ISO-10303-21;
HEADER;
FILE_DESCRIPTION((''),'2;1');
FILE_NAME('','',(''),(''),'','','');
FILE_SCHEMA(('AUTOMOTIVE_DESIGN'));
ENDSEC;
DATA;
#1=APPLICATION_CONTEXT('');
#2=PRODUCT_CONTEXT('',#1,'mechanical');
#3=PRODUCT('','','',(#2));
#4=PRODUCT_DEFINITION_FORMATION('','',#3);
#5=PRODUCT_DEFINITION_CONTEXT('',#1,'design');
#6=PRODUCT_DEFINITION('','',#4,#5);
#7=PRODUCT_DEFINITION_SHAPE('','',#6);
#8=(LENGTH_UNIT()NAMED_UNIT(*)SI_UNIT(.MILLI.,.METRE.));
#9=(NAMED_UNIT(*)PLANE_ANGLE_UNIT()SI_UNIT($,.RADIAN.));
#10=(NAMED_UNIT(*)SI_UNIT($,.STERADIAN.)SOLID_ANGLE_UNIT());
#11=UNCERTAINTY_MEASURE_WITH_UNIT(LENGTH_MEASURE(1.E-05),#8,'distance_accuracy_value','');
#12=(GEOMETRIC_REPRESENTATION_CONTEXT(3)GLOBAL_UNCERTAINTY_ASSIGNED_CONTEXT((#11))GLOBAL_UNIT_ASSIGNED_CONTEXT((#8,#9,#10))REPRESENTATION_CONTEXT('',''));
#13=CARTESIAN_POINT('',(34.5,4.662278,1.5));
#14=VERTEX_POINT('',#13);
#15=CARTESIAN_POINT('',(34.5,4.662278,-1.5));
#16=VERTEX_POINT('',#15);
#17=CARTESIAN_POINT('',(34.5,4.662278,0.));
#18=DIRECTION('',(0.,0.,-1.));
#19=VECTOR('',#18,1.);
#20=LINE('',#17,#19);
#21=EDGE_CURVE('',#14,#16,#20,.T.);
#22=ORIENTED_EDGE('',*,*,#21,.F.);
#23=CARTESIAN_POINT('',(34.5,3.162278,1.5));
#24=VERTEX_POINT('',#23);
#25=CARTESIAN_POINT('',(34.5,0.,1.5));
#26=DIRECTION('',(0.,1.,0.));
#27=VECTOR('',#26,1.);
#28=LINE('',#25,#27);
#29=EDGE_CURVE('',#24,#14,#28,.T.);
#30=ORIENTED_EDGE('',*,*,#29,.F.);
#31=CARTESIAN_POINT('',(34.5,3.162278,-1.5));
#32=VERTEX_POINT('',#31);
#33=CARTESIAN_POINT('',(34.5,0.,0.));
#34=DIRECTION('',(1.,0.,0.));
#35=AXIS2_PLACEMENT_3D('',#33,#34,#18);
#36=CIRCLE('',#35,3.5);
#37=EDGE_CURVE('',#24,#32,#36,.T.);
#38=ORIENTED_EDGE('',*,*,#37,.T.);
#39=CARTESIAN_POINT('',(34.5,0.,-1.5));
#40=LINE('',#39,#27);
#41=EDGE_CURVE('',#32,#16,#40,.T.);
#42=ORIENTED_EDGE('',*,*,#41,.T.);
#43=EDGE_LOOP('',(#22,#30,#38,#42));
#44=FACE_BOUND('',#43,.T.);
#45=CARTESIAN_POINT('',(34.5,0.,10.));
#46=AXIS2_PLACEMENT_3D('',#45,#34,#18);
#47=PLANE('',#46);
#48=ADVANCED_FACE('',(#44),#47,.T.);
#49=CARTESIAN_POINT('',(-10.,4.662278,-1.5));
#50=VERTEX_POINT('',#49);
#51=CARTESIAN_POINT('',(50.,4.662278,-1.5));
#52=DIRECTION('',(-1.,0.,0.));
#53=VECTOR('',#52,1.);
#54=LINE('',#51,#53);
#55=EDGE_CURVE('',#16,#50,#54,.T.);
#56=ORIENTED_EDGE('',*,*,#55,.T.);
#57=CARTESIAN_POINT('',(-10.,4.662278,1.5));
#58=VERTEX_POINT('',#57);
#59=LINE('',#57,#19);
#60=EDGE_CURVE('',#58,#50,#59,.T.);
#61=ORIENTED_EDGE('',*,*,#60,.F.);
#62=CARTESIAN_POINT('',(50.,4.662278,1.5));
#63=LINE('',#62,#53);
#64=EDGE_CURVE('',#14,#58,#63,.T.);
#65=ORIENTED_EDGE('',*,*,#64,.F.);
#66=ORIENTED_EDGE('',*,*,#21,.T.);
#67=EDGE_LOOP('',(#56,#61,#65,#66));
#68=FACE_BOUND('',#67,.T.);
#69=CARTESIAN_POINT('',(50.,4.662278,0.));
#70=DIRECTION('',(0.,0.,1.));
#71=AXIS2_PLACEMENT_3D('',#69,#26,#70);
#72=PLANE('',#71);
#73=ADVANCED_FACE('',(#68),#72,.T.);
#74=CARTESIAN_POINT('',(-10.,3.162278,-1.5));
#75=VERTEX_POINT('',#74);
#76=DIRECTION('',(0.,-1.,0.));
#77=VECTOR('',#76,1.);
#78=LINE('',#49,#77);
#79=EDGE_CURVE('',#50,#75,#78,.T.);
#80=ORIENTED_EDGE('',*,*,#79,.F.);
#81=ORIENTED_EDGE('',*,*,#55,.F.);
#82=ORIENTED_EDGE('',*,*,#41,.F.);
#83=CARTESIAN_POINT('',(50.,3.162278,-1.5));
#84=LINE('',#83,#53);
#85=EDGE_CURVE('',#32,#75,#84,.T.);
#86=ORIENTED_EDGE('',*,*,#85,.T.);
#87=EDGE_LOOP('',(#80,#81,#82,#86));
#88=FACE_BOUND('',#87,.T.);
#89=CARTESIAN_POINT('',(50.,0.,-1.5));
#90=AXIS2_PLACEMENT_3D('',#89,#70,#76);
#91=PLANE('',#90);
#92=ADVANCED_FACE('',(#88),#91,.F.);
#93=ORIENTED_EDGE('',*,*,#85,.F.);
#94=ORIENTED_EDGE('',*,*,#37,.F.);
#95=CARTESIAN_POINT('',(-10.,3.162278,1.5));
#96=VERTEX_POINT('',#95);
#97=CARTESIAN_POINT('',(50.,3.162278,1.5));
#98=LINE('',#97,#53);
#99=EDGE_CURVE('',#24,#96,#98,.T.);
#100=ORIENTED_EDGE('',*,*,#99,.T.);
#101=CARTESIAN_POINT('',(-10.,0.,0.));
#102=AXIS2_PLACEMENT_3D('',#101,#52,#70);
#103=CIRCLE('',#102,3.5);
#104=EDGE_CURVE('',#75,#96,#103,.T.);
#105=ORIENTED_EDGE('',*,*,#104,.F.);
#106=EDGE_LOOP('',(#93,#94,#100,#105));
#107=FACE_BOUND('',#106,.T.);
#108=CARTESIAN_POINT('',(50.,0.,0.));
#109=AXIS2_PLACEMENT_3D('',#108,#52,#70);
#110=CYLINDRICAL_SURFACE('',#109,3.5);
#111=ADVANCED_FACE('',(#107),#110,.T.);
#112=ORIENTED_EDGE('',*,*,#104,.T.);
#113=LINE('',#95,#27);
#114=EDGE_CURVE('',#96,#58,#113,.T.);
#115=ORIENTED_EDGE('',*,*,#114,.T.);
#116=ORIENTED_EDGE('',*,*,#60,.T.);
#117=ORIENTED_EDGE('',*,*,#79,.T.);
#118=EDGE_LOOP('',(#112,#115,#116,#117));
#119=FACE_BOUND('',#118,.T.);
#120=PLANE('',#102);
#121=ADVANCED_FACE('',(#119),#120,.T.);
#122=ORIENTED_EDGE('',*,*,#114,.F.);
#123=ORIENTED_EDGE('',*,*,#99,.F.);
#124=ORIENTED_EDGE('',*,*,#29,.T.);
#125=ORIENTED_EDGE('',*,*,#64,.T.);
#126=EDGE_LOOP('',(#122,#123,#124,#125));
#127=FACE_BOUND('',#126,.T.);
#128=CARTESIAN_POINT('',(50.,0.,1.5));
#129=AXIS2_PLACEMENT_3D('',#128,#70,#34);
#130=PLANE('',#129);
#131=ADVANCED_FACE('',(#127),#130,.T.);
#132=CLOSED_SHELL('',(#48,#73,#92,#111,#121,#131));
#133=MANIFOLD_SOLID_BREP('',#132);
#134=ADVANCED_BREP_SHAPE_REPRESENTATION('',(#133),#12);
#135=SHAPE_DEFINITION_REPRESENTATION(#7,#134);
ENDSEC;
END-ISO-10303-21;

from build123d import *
from build123d.topology import SkipClean

# Parameters (mm, degrees)
BOSS_EXTRU_1_DEPTH           = 50
ENL_V_START                  = -6
ENL_V_MAT_EXTRU_1_DEPTH      = 6
ESQUISSE5_R                  = 3.5
BOSS_EXTRU_2_DEPTH           = 10
ENL_V_MAT_EXTRU_2_DEPTH      = 10
ENL_V_MAT_EXTRU_2_DEPTH_BACK = 10
ESQUISSE6_W                  = 18.121424082
ESQUISSE6_H                  = 16.818170981
BOSS_EXTRU_3_DEPTH           = 16


with BuildPart() as part:
    # Esquisse1 → Boss.-Extru.1 (new body)
    with BuildSketch(Plane(origin=(0, 0, 0), x_dir=(0, 0, -1), z_dir=(1, 0, 0))):
        with BuildLine():
            ThreePointArc((1.5, 3.16227766), (0, 3.5), (-1.5, 3.16227766))
            Line((-1.5, 3.16227766), (1.5, 3.16227766))
        make_face()
        with BuildLine():
            Line((1.5, 3.16227766), (-1.5, 3.16227766))
            ThreePointArc((-1.5, 3.16227766), (-1.870828693, -2.958039892), (3.5, 0))
            ThreePointArc((3.5, 0), (2.958039892, 1.870828693), (1.5, 3.16227766))
        make_face()
        with BuildLine():
            Line((-1.5, 4.66227766), (-1.5, 3.16227766))
            ThreePointArc((-1.5, 3.16227766), (0, 3.5), (1.5, 3.16227766))
            Line((1.5, 3.16227766), (1.5, 4.66227766))
            Line((1.5, 4.66227766), (-1.5, 4.66227766))
        make_face()
    extrude(amount=BOSS_EXTRU_1_DEPTH)

    # Esquisse4 → Enlèv. mat.-Extru.1 (cut)
    with BuildSketch(Plane(origin=(50, 0, 0), x_dir=(0, 0, -1), z_dir=(1, 0, 0)).offset(ENL_V_START)):
        with BuildLine():
            Line((-1.5, 3.16227766), (-1.5, 4.66227766))
            Line((-1.5, 4.66227766), (1.5, 4.66227766))
            Line((1.5, 4.66227766), (1.5, 3.16227766))
            ThreePointArc((1.5, 3.16227766), (0, 3.5), (-1.5, 3.16227766))
        make_face()
    enl_v_mat_extru_1 = extrude(amount=ENL_V_MAT_EXTRU_1_DEPTH, mode=Mode.SUBTRACT)

    # Symétrie1: Enlèv. mat.-Extru.1 across plane
    with SkipClean():  # the faces are left unmerged after this step: merging them gives an invalid solid
        add(enl_v_mat_extru_1.mirror(Plane(origin=(25, 0, 0), x_dir=(0, 0, 1), z_dir=(1, 0, 0))), mode=Mode.SUBTRACT)

    # Esquisse5 → Boss.-Extru.2 (add)
    with SkipClean():  # the faces are left unmerged after this step: merging them gives an invalid solid
        with BuildSketch(Plane.ZY):
            Circle(ESQUISSE5_R)
        extrude(amount=BOSS_EXTRU_2_DEPTH)

    # Esquisse6 → Enlèv. mat.-Extru.2 (cut, two sides: drawn at the far end of the back side and taken through both)
    with SkipClean():  # the faces are left unmerged after this step: merging them gives an invalid solid
        with BuildSketch(Plane.XY.offset(-ENL_V_MAT_EXTRU_2_DEPTH_BACK)):
            with Locations((43.560712041, -0.183428049)):
                Rectangle(ESQUISSE6_W, ESQUISSE6_H)
        extrude(amount=ENL_V_MAT_EXTRU_2_DEPTH + ENL_V_MAT_EXTRU_2_DEPTH_BACK, mode=Mode.SUBTRACT)

    # Esquisse8 → Boss.-Extru.3 (add)
    with BuildSketch(Plane.ZY.offset(-6)):
        with BuildLine():
            Line((1.5, 3.16227766), (1.5, 4.66227766))
            Line((1.5, 4.66227766), (-1.5, 4.66227766))
            Line((-1.5, 4.66227766), (-1.5, 3.16227766))
            ThreePointArc((-1.5, 3.16227766), (0, 3.5), (1.5, 3.16227766))
        make_face()
    extrude(amount=BOSS_EXTRU_3_DEPTH)


solid = part.part
